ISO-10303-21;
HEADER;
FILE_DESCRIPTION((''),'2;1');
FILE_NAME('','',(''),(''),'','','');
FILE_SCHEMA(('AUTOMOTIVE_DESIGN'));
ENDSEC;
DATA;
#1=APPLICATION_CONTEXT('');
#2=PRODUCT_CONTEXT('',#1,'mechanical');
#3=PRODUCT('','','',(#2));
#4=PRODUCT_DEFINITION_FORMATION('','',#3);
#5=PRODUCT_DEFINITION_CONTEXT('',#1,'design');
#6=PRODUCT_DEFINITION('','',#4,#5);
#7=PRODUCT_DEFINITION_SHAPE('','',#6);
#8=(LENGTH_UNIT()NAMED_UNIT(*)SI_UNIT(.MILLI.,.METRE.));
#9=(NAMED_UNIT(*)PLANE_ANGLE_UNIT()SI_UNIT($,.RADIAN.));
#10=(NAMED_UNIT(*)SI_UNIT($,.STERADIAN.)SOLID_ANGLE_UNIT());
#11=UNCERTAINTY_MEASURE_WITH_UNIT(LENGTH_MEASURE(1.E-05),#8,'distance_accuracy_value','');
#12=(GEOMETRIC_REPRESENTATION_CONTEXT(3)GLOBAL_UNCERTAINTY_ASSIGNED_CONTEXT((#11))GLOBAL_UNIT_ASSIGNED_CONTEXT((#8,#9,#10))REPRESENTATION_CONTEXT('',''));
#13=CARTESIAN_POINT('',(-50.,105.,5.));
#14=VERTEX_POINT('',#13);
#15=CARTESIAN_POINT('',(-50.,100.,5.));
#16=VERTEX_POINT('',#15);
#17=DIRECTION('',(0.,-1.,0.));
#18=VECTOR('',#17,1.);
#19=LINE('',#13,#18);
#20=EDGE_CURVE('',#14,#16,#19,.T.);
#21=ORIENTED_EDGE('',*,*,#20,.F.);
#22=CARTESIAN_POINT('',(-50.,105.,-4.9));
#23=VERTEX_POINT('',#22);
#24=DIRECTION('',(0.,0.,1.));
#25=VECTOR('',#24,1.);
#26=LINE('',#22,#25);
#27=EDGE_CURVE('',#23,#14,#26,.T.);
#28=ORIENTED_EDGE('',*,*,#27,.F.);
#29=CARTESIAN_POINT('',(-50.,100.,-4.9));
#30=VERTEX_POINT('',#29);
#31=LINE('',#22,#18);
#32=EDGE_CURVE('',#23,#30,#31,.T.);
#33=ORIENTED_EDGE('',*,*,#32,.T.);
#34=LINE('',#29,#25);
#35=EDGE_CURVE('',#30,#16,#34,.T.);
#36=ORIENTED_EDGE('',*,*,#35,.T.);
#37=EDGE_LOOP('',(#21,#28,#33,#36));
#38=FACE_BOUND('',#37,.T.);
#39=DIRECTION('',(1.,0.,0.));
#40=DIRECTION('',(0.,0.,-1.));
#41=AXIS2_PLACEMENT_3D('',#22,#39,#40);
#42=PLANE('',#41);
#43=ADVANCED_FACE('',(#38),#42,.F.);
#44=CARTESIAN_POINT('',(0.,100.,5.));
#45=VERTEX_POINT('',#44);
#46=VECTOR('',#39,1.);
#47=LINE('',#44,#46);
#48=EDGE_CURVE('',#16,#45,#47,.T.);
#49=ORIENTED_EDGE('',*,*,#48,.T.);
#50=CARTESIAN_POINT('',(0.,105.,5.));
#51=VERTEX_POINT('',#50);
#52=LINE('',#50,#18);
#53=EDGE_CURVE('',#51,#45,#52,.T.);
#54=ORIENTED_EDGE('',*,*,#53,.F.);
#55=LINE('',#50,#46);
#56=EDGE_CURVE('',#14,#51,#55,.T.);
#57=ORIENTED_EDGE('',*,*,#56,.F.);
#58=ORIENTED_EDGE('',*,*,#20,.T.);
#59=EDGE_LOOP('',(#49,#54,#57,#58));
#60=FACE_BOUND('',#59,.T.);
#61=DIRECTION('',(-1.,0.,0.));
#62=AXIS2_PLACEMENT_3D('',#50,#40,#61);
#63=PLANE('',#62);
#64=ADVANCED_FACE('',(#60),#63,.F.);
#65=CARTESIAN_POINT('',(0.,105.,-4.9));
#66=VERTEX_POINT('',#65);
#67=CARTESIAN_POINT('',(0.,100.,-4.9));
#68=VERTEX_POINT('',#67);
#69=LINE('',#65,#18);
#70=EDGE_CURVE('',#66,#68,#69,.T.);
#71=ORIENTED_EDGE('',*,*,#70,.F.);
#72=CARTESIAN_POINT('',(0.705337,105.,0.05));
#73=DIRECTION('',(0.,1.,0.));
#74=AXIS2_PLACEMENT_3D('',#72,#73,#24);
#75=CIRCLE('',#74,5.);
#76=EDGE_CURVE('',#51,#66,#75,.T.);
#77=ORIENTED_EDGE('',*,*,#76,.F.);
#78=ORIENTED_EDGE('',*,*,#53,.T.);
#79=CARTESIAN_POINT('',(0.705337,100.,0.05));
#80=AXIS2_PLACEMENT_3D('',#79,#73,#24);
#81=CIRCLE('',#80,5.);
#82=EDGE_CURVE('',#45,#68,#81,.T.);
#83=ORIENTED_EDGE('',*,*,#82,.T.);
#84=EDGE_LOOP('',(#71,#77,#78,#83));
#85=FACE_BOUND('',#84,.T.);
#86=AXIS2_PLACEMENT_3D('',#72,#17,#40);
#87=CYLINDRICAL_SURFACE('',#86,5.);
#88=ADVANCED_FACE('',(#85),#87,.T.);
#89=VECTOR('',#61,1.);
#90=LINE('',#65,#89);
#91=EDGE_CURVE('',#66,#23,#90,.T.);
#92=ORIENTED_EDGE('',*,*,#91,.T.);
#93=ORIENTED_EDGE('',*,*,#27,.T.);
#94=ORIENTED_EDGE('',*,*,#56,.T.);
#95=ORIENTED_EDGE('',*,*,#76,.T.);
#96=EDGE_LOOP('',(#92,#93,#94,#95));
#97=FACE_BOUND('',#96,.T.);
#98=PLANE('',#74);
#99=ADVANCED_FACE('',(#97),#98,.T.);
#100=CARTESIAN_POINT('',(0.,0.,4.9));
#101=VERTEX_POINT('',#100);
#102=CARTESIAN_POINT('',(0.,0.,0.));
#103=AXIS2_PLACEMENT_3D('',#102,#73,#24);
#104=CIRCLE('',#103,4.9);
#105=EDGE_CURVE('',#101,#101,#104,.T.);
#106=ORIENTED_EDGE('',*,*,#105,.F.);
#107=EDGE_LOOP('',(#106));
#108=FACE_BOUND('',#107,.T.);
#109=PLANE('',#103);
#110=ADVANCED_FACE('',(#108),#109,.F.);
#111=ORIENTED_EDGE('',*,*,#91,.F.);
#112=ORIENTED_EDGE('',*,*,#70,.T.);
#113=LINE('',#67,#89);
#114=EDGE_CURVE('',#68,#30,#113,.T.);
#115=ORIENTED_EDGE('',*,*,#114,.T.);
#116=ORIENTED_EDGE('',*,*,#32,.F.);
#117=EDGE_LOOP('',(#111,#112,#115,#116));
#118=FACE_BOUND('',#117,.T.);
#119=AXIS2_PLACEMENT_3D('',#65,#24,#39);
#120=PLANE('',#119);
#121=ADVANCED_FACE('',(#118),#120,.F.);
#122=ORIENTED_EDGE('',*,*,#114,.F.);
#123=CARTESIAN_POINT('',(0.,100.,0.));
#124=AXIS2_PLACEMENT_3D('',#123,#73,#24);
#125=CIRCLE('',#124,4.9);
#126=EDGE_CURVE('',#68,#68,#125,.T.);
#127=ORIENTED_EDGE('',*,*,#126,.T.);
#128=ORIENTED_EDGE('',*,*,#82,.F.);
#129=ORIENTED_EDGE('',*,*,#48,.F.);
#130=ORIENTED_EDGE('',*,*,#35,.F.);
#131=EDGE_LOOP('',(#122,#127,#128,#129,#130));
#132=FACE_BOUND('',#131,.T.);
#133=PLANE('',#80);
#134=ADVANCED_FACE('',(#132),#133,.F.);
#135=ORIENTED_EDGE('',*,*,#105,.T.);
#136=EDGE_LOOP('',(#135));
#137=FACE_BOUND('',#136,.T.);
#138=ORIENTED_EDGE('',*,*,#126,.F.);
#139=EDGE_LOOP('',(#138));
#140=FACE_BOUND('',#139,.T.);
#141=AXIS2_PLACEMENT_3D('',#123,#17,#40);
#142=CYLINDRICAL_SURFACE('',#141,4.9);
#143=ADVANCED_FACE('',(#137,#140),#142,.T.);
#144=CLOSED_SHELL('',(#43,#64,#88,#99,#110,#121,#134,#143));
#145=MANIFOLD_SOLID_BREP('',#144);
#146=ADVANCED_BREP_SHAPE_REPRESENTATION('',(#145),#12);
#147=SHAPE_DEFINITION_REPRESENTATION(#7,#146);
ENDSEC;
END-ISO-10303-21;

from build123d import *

# Parameters (mm, degrees)
SKETCH1_R           = 4.9
BOSS_EXTRUDE1_DEPTH = 100
BOSS_EXTRUDE2_DEPTH = 5


with BuildPart() as part:
    # Sketch1 → Boss-Extrude1 (new body)
    with BuildSketch(Plane(origin=(0, 0, 0), x_dir=(1, 0, 0), z_dir=(0, 1, 0))):
        with Locations(Location((0, 0, 0), (0, 0, 270))):
            Circle(SKETCH1_R)
    extrude(amount=BOSS_EXTRUDE1_DEPTH)

    # Sketch2 → Boss-Extrude2 (add)
    with BuildSketch(Plane(origin=(0, 100, 0), x_dir=(1, 0, 0), z_dir=(0, 1, 0))):
        with BuildLine():
            Line((0, 4.9), (-50, 4.9))
            Line((-50, 4.9), (-50, -5))
            Line((-50, -5), (0, -5))
            ThreePointArc((0, -5), (5.705336799, -0.05), (0, 4.9))
        make_face()
    extrude(amount=BOSS_EXTRUDE2_DEPTH)


solid = part.part
